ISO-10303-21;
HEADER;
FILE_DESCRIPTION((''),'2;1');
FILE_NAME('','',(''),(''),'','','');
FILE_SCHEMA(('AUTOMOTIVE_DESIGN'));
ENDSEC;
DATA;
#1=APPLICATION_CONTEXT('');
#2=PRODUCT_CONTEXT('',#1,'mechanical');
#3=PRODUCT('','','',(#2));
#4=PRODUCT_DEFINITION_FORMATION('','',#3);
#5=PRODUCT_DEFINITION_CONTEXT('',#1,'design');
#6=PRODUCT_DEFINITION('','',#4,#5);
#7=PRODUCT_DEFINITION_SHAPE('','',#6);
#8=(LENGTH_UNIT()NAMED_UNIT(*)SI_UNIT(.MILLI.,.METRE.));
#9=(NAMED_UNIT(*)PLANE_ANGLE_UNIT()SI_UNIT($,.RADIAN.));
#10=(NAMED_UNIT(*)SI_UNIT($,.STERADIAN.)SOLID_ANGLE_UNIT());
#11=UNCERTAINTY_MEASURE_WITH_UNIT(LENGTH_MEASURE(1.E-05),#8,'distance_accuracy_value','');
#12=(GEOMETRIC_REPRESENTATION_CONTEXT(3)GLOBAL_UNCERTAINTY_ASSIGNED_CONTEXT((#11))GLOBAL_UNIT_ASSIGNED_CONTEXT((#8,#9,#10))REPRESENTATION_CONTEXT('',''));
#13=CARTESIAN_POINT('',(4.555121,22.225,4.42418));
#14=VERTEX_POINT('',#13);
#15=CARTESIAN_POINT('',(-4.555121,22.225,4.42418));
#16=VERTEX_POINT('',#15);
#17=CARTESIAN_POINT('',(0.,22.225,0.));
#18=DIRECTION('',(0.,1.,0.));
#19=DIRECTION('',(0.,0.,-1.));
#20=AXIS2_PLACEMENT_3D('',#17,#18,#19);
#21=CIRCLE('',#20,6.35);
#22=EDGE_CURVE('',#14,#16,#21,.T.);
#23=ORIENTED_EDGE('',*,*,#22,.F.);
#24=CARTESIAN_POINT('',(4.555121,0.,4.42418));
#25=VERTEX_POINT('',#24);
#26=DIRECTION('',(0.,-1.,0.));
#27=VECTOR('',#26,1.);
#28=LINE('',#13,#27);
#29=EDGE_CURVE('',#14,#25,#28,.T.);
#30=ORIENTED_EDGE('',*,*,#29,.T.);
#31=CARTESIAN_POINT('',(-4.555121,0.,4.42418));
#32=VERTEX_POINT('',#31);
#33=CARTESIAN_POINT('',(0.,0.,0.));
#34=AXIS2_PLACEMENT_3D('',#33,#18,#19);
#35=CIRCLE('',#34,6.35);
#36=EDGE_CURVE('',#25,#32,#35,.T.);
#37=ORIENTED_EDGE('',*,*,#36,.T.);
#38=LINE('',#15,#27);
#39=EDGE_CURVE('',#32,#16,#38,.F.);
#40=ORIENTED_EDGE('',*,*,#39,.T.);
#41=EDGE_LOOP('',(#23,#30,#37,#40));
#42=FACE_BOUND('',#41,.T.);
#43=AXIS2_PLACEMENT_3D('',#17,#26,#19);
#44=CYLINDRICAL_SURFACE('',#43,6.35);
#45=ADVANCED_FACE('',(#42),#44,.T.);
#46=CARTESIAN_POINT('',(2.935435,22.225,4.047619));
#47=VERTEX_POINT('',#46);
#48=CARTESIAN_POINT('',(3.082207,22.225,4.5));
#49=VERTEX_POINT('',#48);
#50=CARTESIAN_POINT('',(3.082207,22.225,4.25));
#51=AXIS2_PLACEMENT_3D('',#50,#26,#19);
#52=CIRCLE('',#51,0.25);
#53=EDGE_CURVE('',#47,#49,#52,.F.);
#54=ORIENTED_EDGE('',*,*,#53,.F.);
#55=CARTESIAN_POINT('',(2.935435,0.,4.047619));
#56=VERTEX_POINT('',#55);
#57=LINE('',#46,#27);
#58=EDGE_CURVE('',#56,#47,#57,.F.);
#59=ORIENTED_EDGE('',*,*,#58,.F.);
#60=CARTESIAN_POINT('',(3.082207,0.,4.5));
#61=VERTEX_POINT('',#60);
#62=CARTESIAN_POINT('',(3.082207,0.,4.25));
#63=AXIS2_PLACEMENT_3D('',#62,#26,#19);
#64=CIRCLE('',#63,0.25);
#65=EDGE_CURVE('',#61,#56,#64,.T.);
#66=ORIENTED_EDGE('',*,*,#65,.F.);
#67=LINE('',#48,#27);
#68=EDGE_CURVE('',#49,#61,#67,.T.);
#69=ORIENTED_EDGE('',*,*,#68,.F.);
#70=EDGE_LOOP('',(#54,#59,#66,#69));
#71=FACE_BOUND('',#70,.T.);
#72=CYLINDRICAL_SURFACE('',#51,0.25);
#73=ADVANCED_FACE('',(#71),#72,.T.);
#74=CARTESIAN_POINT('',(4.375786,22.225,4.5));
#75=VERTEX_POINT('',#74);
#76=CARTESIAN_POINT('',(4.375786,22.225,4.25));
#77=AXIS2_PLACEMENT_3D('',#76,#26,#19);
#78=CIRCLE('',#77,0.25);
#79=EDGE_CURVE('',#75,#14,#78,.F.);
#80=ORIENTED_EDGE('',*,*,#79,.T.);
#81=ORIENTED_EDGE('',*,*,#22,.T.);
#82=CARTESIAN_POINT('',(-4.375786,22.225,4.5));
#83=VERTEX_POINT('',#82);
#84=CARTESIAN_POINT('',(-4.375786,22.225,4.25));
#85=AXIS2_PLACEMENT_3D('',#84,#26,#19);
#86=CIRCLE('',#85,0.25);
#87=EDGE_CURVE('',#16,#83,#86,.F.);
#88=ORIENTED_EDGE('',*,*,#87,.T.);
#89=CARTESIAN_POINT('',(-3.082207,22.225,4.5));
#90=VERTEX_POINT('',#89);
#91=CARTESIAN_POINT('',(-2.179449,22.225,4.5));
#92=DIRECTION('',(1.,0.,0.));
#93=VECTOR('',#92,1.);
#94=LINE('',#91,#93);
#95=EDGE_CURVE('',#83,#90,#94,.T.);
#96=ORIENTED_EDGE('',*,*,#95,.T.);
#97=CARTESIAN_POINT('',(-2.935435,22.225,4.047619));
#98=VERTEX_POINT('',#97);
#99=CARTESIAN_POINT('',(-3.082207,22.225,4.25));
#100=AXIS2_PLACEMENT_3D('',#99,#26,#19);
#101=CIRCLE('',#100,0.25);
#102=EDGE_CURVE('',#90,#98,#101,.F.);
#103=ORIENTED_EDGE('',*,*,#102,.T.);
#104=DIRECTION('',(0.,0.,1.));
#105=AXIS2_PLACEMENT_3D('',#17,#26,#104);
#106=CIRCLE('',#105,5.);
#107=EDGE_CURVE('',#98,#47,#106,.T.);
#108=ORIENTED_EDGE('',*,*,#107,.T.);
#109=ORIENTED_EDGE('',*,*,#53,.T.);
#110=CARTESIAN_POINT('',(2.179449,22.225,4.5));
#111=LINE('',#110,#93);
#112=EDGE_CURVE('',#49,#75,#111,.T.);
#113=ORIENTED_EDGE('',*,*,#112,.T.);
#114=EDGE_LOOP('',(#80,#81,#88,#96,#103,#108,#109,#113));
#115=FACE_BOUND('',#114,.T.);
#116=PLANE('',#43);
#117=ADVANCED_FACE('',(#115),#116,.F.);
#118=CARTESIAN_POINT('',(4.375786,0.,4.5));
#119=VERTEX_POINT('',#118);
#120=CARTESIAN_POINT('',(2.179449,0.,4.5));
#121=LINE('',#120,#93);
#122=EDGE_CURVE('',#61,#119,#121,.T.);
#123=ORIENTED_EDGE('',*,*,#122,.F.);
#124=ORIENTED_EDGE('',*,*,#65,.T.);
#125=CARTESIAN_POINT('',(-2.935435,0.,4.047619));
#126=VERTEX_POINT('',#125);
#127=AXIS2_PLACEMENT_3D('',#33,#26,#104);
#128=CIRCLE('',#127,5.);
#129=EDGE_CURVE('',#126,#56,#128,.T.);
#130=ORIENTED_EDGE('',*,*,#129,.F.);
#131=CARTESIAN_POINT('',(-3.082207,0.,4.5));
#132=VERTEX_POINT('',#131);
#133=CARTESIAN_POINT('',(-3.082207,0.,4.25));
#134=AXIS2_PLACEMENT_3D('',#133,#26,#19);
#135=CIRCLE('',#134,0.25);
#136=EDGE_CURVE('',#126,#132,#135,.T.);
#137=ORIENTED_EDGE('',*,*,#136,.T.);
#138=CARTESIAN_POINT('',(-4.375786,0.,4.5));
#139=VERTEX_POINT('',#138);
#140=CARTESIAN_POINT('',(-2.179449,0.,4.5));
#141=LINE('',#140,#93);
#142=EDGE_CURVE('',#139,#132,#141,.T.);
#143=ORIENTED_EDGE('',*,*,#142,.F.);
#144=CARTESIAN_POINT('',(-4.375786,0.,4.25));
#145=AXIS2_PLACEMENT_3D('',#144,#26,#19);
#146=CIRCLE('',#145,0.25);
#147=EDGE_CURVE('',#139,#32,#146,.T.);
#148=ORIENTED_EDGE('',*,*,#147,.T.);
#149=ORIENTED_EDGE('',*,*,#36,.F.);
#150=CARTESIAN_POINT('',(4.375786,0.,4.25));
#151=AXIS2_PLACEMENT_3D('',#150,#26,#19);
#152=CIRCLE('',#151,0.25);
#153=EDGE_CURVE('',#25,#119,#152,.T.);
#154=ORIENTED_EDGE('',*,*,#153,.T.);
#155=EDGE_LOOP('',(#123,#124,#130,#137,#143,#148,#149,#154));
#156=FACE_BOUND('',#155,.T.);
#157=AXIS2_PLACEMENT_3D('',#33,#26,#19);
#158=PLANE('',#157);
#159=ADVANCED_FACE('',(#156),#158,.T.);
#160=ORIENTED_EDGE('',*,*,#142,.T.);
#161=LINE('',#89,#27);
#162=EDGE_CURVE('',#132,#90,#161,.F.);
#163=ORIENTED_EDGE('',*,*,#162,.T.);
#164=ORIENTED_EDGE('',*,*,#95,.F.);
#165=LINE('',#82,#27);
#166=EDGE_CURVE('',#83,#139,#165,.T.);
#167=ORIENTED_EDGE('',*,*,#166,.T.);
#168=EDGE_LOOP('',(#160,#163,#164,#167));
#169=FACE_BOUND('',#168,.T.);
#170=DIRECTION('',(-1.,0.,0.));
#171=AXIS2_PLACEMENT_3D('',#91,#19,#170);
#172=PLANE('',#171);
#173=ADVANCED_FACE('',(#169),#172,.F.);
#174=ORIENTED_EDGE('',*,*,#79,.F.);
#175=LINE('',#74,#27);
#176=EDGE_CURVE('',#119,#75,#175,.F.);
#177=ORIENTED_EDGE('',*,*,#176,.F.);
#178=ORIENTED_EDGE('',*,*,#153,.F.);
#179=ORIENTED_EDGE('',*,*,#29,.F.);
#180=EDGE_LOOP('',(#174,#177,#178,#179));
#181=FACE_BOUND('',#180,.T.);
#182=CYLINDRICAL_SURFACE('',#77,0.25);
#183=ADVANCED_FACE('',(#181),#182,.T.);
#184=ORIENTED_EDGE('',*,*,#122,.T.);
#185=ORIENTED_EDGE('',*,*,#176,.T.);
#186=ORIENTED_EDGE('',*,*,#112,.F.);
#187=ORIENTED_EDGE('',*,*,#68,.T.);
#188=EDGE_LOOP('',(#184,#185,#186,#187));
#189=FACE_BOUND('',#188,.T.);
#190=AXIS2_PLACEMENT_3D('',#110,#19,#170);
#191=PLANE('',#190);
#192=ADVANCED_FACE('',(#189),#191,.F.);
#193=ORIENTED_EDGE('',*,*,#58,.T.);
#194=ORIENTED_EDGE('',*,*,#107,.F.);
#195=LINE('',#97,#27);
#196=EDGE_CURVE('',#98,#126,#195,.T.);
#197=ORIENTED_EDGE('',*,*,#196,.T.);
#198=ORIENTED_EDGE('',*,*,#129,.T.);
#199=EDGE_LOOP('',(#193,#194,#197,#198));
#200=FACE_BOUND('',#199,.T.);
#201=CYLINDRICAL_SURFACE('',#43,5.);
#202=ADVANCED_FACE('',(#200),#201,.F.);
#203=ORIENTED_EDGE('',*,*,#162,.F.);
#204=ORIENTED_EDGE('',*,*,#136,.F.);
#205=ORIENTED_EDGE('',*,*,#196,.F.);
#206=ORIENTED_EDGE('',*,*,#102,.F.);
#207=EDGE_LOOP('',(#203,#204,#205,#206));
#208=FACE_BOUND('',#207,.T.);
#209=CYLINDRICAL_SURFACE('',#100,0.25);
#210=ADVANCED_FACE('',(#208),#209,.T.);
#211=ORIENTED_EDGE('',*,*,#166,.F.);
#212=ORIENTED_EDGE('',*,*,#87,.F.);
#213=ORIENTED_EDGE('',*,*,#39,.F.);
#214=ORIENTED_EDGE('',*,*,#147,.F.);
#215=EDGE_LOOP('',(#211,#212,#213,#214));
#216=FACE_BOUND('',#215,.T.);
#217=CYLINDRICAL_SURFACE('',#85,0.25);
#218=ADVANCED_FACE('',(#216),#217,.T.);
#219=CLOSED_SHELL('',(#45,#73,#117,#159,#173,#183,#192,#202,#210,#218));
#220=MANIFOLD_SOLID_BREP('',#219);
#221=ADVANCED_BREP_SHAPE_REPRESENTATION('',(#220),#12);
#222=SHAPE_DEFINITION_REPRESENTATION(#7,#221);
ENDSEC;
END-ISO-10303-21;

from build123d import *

# Parameters (mm, degrees)
BOSS_EXTRUDE1_DEPTH = 22.225
FILLET1_R           = 0.25


with BuildPart() as part:
    # Sketch1 → Boss-Extrude1 (new body)
    with BuildSketch(Plane(origin=(0, 0, 0), x_dir=(1, 0, 0), z_dir=(0, 1, 0))):
        with BuildLine():
            Line((-2.179449472, -4.5), (-4.480234369, -4.5))
            ThreePointArc((-4.480234369, -4.5), (0, 6.35), (4.480234369, -4.5))
            Line((4.480234369, -4.5), (2.179449472, -4.5))
            ThreePointArc((2.179449472, -4.5), (0, 5), (-2.179449472, -4.5))
        make_face()
    extrude(amount=BOSS_EXTRUDE1_DEPTH)

    # Fillet1
    fillet1_edges = [part.edges().sort_by_distance(p)[0] for p in [
        (4.480234369, 11.1125, 4.5),
        (2.179449472, 11.1125, 4.5),
        (-2.179449472, 11.1125, 4.5),
        (-4.480234369, 11.1125, 4.5),
    ]]
    fillet(fillet1_edges, radius=FILLET1_R)


solid = part.part
